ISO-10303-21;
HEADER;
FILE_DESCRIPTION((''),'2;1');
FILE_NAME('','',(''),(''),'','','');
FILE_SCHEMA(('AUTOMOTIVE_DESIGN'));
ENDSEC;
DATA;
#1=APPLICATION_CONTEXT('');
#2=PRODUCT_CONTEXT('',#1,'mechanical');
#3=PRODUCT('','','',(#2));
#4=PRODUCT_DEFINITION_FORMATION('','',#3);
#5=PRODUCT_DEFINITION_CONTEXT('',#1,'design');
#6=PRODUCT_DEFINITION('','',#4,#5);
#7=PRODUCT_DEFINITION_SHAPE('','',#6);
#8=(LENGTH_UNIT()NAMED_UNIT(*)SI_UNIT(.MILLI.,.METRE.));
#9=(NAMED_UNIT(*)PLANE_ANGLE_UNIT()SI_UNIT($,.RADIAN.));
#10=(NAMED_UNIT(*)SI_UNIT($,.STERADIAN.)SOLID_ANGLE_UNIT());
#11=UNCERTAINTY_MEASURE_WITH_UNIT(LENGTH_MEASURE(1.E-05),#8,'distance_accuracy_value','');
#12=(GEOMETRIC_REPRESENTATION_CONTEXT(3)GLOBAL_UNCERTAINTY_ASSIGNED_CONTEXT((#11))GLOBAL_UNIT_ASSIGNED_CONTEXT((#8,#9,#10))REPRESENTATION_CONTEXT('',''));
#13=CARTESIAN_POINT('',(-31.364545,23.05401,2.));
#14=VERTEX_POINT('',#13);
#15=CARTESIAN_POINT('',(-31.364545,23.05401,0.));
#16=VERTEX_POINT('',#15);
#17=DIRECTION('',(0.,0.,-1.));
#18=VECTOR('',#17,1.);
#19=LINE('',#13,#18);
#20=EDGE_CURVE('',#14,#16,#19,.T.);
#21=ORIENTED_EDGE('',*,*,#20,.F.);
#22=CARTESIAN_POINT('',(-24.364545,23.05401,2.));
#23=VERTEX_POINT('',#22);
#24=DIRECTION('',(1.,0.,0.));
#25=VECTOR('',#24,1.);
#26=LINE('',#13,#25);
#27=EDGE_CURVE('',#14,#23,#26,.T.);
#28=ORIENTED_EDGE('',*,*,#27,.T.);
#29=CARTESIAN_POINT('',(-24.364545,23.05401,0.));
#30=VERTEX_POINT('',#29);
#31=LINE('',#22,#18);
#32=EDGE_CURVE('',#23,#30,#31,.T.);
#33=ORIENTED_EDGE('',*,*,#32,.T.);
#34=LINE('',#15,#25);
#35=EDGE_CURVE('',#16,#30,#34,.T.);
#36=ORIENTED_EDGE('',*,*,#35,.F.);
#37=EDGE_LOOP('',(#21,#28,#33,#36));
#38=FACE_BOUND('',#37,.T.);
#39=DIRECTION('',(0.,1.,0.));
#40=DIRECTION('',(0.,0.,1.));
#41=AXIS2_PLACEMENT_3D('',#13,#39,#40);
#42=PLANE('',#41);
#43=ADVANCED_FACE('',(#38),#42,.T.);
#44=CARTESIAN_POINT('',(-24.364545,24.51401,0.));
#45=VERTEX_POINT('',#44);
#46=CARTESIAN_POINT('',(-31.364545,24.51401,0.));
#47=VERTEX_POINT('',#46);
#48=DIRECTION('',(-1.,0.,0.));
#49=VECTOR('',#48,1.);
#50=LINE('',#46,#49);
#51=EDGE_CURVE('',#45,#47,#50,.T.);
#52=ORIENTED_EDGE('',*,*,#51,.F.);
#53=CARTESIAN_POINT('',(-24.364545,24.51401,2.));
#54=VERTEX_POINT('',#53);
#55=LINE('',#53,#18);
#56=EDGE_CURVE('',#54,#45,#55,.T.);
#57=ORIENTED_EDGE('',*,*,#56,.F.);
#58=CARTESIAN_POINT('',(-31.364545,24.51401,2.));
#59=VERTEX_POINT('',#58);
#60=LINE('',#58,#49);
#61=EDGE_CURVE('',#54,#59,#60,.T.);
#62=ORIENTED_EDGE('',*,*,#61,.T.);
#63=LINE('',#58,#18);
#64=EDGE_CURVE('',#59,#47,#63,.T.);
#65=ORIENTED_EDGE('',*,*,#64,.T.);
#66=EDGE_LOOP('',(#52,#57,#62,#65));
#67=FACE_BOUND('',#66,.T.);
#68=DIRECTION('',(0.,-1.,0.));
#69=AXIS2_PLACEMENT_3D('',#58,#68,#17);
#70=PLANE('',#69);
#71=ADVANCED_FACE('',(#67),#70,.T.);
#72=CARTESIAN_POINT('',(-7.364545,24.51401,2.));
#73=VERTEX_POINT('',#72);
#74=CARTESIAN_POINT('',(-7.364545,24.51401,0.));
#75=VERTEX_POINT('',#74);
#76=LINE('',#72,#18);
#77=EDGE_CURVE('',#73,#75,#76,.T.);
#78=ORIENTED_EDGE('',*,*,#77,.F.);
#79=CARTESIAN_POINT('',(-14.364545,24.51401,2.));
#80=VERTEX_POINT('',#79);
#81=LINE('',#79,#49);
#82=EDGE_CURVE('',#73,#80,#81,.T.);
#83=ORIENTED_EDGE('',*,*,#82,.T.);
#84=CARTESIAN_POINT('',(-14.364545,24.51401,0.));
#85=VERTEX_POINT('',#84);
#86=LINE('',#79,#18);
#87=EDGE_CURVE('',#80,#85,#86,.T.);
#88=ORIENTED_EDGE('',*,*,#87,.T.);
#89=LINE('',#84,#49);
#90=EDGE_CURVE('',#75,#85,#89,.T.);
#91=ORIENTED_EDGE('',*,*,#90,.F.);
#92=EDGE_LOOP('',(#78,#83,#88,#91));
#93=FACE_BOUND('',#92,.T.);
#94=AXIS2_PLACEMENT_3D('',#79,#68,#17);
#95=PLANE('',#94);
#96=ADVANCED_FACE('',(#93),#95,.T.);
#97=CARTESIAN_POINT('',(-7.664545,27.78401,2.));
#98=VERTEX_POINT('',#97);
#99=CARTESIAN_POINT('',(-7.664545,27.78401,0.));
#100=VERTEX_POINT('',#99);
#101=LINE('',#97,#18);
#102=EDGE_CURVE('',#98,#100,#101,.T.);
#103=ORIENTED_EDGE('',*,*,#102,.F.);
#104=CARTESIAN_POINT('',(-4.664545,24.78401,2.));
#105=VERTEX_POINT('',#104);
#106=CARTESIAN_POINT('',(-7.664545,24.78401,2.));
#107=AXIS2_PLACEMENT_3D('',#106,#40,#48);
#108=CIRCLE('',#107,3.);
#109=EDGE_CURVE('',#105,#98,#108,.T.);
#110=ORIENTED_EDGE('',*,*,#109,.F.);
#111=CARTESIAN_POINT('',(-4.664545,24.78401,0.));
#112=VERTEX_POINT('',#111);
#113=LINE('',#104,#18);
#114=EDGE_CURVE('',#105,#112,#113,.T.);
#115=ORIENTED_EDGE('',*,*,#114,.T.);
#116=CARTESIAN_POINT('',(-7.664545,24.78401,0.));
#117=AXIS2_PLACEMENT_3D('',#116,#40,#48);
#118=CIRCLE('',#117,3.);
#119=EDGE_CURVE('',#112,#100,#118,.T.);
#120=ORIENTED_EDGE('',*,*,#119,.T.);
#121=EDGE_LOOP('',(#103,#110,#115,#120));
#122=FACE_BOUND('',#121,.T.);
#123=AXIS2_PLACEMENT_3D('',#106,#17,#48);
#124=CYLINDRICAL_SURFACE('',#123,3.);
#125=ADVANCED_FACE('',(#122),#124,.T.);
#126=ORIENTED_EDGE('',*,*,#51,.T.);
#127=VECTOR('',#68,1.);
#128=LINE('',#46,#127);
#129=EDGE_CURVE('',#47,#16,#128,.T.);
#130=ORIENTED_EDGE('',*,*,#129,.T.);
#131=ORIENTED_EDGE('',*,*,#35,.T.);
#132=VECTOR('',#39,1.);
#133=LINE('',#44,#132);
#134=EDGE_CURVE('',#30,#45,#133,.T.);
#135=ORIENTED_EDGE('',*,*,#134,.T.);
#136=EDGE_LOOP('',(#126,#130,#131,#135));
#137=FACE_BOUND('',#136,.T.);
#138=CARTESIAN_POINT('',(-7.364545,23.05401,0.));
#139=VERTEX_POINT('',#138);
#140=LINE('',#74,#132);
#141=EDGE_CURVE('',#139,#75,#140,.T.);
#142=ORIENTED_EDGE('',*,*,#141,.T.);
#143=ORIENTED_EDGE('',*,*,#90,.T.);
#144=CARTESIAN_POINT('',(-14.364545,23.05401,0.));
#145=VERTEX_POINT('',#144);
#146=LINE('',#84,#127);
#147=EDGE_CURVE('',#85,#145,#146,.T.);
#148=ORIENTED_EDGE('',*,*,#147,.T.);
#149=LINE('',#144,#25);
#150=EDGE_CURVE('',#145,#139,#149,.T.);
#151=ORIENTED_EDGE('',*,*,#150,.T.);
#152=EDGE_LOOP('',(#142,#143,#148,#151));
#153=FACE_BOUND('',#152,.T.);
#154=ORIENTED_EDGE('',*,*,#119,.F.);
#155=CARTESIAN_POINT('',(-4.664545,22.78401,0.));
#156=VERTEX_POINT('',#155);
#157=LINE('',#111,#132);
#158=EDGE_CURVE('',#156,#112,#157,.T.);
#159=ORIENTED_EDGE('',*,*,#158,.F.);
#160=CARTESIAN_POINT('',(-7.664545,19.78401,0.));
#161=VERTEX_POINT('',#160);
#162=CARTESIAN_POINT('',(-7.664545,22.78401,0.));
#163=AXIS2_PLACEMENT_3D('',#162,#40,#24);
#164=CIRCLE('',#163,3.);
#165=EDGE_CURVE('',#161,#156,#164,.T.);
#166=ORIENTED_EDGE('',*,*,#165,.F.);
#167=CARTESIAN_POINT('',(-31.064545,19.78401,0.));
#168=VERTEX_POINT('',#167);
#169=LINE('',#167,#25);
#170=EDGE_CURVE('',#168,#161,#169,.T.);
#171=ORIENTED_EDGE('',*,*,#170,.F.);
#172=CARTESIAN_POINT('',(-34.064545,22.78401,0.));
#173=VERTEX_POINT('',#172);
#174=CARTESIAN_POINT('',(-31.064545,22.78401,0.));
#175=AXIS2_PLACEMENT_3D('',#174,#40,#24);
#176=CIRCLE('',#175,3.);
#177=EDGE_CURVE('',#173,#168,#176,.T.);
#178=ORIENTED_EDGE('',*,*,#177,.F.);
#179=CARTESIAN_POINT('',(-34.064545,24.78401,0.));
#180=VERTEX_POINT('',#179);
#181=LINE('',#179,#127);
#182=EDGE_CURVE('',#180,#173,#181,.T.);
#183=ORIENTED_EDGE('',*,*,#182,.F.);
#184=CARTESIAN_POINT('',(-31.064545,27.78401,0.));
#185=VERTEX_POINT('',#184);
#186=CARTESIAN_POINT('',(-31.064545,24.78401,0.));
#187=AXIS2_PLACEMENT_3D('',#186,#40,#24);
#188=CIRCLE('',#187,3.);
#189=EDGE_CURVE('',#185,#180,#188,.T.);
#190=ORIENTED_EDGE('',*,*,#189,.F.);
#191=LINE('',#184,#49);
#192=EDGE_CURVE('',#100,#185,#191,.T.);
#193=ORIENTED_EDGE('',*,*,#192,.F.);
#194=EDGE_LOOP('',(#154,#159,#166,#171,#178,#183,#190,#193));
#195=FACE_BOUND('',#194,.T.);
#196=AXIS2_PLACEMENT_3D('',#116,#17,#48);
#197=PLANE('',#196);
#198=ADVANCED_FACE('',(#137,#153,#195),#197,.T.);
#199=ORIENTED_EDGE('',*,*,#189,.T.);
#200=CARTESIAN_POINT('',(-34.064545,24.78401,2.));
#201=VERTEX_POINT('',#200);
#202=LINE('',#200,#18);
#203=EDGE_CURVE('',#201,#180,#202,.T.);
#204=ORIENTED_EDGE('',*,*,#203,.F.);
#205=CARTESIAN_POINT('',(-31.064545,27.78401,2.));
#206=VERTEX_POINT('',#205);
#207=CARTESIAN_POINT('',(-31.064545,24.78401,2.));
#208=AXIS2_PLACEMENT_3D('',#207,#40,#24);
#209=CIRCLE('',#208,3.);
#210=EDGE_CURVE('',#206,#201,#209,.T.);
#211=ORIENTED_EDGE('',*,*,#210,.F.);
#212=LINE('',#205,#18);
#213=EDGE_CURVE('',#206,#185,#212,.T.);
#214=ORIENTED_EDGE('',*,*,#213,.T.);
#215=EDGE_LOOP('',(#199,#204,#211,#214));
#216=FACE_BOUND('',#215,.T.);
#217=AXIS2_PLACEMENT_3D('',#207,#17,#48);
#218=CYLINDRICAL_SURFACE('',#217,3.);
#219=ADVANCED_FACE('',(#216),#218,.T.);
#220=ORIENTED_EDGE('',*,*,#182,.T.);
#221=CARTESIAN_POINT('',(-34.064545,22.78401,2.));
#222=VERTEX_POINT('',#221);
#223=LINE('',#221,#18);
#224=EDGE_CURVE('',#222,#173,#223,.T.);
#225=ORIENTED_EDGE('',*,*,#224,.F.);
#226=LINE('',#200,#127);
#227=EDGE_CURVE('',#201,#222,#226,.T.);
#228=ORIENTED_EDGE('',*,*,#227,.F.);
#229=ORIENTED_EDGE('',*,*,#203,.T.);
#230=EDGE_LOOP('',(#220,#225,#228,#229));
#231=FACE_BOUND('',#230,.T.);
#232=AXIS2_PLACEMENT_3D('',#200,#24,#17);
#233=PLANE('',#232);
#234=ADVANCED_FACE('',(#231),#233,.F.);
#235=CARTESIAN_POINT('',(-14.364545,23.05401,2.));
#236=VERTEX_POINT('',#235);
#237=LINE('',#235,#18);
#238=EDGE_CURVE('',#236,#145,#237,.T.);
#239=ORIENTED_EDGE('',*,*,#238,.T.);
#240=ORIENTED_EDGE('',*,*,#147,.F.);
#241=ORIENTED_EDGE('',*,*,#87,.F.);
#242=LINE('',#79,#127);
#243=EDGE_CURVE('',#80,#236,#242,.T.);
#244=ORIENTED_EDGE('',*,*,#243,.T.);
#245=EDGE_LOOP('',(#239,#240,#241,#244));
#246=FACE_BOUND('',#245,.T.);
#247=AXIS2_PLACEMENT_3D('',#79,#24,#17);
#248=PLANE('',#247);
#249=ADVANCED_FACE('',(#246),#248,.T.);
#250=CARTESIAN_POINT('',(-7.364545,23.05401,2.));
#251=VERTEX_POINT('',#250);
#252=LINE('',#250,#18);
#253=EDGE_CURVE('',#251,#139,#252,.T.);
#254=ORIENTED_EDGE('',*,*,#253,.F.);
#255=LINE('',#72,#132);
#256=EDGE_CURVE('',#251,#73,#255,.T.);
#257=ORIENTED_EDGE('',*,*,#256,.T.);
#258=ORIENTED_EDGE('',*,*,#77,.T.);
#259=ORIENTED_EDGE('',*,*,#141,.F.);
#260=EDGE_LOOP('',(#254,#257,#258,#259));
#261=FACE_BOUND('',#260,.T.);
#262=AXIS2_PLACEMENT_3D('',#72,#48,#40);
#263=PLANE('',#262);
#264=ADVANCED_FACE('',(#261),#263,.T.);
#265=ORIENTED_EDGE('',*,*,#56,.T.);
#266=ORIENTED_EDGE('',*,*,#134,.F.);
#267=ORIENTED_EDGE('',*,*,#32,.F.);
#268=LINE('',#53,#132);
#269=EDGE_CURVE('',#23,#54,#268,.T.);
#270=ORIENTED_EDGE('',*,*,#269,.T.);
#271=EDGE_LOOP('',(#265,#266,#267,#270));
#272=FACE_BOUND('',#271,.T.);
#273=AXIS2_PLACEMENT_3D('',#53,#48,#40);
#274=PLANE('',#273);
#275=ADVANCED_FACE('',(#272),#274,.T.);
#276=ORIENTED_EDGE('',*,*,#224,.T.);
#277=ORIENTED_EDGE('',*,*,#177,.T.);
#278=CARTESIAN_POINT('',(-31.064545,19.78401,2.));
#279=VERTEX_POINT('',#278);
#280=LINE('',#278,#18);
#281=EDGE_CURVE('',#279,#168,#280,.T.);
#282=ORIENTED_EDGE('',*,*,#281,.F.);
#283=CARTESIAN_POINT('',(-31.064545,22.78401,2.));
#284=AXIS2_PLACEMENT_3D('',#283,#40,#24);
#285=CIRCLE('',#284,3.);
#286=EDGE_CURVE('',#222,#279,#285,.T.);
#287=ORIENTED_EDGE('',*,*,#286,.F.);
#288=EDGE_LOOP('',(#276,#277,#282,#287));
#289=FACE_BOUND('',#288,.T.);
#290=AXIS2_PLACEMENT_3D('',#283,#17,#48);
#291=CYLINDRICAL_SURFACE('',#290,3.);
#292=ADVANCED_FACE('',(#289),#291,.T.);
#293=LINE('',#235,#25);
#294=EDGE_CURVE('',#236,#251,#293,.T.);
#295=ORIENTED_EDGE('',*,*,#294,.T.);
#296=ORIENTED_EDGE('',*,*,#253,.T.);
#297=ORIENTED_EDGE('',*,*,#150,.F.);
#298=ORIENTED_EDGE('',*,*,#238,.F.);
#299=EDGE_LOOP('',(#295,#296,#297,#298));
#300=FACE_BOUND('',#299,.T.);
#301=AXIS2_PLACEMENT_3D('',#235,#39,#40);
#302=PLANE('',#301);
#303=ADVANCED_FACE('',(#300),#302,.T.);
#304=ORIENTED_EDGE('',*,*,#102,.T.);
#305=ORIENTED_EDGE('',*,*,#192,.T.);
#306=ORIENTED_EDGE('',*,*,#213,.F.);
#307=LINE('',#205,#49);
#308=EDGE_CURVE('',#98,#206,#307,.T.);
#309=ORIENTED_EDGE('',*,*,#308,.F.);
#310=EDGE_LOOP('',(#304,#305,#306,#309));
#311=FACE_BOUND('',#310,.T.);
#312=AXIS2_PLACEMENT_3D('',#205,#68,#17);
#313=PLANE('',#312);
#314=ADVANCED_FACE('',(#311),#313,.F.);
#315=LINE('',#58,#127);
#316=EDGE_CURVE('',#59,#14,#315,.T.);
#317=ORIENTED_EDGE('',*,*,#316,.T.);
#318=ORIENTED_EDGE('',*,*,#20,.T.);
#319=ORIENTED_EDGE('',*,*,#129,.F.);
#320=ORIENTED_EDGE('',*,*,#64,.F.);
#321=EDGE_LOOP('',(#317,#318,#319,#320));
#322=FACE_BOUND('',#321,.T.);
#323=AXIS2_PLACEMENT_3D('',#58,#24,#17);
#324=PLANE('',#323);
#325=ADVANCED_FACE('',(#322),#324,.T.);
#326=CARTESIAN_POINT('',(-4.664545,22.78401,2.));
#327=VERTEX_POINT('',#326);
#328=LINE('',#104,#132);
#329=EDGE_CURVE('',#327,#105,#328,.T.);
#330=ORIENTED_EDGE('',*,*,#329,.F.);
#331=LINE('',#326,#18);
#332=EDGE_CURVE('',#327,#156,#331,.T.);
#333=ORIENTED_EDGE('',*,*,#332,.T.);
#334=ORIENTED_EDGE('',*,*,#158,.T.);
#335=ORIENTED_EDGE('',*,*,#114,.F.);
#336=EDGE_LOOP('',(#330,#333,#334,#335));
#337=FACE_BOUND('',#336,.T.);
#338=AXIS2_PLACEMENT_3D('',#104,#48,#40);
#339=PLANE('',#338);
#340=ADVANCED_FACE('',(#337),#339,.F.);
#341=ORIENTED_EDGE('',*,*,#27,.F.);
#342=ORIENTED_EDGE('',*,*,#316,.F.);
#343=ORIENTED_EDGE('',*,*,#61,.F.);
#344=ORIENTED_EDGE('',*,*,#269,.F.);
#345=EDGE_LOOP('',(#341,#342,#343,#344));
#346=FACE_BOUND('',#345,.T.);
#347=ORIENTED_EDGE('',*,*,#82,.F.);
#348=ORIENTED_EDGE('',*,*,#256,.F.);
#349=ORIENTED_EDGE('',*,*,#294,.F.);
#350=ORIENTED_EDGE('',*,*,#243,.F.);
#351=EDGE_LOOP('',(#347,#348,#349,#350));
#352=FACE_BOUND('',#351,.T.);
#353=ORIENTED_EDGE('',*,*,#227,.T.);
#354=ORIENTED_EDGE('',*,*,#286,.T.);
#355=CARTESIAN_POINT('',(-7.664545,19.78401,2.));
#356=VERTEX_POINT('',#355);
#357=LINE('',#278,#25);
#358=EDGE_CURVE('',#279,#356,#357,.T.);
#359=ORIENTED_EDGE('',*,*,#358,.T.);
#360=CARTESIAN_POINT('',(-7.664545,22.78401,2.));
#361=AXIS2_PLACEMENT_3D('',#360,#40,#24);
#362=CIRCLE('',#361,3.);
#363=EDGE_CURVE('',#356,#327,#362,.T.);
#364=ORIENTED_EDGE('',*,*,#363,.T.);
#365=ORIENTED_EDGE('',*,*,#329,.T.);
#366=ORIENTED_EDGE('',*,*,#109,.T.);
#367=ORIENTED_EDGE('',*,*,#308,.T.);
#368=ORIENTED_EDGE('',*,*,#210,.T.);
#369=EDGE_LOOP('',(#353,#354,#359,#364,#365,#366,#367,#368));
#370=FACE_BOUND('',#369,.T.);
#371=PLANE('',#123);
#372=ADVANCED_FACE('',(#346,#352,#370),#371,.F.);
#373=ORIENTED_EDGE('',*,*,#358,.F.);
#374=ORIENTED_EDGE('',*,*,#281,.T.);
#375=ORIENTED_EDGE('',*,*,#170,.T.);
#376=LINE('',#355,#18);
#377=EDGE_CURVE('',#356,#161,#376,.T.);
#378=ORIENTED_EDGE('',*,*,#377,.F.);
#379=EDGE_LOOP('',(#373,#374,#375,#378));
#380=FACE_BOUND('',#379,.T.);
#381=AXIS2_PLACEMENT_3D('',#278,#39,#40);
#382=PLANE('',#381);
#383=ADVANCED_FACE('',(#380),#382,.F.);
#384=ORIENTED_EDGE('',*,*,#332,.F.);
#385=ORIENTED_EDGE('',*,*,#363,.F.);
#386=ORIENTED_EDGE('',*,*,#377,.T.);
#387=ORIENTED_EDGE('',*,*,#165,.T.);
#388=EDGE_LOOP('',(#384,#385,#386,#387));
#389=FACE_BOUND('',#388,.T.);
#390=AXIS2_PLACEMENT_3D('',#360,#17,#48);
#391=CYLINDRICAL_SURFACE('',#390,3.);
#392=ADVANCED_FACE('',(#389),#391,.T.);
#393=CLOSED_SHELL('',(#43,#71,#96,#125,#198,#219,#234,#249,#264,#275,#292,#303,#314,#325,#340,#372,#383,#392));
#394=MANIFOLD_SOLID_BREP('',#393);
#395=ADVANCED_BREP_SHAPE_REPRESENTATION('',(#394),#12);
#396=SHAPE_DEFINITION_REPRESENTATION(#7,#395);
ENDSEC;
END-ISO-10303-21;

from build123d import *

# Parameters (mm, degrees)
SKETCH1_W           = 7
SKETCH1_H           = 1.46
BOSS_EXTRUDE1_DEPTH = 2


with BuildPart() as part:
    # Sketch1 → Boss-Extrude1 (new body)
    with BuildSketch(Plane.XY):
        with BuildLine():
            Line((-31.064544979, 27.784009845), (-7.664544979, 27.784009845))
            ThreePointArc((-7.664544979, 27.784009845), (-5.543224635, 26.905330188), (-4.664544979, 24.784009845))
            Line((-4.664544979, 24.784009845), (-4.664544979, 22.784009845))
            ThreePointArc((-4.664544979, 22.784009845), (-5.543224635, 20.662689501), (-7.664544979, 19.784009845))
            Line((-7.664544979, 19.784009845), (-31.064544979, 19.784009845))
            ThreePointArc((-31.064544979, 19.784009845), (-33.185865322, 20.662689501), (-34.064544979, 22.784009845))
            Line((-34.064544979, 22.784009845), (-34.064544979, 24.784009845))
            ThreePointArc((-34.064544979, 24.784009845), (-33.185865322, 26.905330188), (-31.064544979, 27.784009845))
        make_face()
        with Locations((-27.864544979, 23.784009845)):
            Rectangle(SKETCH1_W, SKETCH1_H, mode=Mode.SUBTRACT)
        with Locations((-10.864544979, 23.784009845)):
            Rectangle(SKETCH1_W, SKETCH1_H, mode=Mode.SUBTRACT)
    extrude(amount=BOSS_EXTRUDE1_DEPTH)


solid = part.part
